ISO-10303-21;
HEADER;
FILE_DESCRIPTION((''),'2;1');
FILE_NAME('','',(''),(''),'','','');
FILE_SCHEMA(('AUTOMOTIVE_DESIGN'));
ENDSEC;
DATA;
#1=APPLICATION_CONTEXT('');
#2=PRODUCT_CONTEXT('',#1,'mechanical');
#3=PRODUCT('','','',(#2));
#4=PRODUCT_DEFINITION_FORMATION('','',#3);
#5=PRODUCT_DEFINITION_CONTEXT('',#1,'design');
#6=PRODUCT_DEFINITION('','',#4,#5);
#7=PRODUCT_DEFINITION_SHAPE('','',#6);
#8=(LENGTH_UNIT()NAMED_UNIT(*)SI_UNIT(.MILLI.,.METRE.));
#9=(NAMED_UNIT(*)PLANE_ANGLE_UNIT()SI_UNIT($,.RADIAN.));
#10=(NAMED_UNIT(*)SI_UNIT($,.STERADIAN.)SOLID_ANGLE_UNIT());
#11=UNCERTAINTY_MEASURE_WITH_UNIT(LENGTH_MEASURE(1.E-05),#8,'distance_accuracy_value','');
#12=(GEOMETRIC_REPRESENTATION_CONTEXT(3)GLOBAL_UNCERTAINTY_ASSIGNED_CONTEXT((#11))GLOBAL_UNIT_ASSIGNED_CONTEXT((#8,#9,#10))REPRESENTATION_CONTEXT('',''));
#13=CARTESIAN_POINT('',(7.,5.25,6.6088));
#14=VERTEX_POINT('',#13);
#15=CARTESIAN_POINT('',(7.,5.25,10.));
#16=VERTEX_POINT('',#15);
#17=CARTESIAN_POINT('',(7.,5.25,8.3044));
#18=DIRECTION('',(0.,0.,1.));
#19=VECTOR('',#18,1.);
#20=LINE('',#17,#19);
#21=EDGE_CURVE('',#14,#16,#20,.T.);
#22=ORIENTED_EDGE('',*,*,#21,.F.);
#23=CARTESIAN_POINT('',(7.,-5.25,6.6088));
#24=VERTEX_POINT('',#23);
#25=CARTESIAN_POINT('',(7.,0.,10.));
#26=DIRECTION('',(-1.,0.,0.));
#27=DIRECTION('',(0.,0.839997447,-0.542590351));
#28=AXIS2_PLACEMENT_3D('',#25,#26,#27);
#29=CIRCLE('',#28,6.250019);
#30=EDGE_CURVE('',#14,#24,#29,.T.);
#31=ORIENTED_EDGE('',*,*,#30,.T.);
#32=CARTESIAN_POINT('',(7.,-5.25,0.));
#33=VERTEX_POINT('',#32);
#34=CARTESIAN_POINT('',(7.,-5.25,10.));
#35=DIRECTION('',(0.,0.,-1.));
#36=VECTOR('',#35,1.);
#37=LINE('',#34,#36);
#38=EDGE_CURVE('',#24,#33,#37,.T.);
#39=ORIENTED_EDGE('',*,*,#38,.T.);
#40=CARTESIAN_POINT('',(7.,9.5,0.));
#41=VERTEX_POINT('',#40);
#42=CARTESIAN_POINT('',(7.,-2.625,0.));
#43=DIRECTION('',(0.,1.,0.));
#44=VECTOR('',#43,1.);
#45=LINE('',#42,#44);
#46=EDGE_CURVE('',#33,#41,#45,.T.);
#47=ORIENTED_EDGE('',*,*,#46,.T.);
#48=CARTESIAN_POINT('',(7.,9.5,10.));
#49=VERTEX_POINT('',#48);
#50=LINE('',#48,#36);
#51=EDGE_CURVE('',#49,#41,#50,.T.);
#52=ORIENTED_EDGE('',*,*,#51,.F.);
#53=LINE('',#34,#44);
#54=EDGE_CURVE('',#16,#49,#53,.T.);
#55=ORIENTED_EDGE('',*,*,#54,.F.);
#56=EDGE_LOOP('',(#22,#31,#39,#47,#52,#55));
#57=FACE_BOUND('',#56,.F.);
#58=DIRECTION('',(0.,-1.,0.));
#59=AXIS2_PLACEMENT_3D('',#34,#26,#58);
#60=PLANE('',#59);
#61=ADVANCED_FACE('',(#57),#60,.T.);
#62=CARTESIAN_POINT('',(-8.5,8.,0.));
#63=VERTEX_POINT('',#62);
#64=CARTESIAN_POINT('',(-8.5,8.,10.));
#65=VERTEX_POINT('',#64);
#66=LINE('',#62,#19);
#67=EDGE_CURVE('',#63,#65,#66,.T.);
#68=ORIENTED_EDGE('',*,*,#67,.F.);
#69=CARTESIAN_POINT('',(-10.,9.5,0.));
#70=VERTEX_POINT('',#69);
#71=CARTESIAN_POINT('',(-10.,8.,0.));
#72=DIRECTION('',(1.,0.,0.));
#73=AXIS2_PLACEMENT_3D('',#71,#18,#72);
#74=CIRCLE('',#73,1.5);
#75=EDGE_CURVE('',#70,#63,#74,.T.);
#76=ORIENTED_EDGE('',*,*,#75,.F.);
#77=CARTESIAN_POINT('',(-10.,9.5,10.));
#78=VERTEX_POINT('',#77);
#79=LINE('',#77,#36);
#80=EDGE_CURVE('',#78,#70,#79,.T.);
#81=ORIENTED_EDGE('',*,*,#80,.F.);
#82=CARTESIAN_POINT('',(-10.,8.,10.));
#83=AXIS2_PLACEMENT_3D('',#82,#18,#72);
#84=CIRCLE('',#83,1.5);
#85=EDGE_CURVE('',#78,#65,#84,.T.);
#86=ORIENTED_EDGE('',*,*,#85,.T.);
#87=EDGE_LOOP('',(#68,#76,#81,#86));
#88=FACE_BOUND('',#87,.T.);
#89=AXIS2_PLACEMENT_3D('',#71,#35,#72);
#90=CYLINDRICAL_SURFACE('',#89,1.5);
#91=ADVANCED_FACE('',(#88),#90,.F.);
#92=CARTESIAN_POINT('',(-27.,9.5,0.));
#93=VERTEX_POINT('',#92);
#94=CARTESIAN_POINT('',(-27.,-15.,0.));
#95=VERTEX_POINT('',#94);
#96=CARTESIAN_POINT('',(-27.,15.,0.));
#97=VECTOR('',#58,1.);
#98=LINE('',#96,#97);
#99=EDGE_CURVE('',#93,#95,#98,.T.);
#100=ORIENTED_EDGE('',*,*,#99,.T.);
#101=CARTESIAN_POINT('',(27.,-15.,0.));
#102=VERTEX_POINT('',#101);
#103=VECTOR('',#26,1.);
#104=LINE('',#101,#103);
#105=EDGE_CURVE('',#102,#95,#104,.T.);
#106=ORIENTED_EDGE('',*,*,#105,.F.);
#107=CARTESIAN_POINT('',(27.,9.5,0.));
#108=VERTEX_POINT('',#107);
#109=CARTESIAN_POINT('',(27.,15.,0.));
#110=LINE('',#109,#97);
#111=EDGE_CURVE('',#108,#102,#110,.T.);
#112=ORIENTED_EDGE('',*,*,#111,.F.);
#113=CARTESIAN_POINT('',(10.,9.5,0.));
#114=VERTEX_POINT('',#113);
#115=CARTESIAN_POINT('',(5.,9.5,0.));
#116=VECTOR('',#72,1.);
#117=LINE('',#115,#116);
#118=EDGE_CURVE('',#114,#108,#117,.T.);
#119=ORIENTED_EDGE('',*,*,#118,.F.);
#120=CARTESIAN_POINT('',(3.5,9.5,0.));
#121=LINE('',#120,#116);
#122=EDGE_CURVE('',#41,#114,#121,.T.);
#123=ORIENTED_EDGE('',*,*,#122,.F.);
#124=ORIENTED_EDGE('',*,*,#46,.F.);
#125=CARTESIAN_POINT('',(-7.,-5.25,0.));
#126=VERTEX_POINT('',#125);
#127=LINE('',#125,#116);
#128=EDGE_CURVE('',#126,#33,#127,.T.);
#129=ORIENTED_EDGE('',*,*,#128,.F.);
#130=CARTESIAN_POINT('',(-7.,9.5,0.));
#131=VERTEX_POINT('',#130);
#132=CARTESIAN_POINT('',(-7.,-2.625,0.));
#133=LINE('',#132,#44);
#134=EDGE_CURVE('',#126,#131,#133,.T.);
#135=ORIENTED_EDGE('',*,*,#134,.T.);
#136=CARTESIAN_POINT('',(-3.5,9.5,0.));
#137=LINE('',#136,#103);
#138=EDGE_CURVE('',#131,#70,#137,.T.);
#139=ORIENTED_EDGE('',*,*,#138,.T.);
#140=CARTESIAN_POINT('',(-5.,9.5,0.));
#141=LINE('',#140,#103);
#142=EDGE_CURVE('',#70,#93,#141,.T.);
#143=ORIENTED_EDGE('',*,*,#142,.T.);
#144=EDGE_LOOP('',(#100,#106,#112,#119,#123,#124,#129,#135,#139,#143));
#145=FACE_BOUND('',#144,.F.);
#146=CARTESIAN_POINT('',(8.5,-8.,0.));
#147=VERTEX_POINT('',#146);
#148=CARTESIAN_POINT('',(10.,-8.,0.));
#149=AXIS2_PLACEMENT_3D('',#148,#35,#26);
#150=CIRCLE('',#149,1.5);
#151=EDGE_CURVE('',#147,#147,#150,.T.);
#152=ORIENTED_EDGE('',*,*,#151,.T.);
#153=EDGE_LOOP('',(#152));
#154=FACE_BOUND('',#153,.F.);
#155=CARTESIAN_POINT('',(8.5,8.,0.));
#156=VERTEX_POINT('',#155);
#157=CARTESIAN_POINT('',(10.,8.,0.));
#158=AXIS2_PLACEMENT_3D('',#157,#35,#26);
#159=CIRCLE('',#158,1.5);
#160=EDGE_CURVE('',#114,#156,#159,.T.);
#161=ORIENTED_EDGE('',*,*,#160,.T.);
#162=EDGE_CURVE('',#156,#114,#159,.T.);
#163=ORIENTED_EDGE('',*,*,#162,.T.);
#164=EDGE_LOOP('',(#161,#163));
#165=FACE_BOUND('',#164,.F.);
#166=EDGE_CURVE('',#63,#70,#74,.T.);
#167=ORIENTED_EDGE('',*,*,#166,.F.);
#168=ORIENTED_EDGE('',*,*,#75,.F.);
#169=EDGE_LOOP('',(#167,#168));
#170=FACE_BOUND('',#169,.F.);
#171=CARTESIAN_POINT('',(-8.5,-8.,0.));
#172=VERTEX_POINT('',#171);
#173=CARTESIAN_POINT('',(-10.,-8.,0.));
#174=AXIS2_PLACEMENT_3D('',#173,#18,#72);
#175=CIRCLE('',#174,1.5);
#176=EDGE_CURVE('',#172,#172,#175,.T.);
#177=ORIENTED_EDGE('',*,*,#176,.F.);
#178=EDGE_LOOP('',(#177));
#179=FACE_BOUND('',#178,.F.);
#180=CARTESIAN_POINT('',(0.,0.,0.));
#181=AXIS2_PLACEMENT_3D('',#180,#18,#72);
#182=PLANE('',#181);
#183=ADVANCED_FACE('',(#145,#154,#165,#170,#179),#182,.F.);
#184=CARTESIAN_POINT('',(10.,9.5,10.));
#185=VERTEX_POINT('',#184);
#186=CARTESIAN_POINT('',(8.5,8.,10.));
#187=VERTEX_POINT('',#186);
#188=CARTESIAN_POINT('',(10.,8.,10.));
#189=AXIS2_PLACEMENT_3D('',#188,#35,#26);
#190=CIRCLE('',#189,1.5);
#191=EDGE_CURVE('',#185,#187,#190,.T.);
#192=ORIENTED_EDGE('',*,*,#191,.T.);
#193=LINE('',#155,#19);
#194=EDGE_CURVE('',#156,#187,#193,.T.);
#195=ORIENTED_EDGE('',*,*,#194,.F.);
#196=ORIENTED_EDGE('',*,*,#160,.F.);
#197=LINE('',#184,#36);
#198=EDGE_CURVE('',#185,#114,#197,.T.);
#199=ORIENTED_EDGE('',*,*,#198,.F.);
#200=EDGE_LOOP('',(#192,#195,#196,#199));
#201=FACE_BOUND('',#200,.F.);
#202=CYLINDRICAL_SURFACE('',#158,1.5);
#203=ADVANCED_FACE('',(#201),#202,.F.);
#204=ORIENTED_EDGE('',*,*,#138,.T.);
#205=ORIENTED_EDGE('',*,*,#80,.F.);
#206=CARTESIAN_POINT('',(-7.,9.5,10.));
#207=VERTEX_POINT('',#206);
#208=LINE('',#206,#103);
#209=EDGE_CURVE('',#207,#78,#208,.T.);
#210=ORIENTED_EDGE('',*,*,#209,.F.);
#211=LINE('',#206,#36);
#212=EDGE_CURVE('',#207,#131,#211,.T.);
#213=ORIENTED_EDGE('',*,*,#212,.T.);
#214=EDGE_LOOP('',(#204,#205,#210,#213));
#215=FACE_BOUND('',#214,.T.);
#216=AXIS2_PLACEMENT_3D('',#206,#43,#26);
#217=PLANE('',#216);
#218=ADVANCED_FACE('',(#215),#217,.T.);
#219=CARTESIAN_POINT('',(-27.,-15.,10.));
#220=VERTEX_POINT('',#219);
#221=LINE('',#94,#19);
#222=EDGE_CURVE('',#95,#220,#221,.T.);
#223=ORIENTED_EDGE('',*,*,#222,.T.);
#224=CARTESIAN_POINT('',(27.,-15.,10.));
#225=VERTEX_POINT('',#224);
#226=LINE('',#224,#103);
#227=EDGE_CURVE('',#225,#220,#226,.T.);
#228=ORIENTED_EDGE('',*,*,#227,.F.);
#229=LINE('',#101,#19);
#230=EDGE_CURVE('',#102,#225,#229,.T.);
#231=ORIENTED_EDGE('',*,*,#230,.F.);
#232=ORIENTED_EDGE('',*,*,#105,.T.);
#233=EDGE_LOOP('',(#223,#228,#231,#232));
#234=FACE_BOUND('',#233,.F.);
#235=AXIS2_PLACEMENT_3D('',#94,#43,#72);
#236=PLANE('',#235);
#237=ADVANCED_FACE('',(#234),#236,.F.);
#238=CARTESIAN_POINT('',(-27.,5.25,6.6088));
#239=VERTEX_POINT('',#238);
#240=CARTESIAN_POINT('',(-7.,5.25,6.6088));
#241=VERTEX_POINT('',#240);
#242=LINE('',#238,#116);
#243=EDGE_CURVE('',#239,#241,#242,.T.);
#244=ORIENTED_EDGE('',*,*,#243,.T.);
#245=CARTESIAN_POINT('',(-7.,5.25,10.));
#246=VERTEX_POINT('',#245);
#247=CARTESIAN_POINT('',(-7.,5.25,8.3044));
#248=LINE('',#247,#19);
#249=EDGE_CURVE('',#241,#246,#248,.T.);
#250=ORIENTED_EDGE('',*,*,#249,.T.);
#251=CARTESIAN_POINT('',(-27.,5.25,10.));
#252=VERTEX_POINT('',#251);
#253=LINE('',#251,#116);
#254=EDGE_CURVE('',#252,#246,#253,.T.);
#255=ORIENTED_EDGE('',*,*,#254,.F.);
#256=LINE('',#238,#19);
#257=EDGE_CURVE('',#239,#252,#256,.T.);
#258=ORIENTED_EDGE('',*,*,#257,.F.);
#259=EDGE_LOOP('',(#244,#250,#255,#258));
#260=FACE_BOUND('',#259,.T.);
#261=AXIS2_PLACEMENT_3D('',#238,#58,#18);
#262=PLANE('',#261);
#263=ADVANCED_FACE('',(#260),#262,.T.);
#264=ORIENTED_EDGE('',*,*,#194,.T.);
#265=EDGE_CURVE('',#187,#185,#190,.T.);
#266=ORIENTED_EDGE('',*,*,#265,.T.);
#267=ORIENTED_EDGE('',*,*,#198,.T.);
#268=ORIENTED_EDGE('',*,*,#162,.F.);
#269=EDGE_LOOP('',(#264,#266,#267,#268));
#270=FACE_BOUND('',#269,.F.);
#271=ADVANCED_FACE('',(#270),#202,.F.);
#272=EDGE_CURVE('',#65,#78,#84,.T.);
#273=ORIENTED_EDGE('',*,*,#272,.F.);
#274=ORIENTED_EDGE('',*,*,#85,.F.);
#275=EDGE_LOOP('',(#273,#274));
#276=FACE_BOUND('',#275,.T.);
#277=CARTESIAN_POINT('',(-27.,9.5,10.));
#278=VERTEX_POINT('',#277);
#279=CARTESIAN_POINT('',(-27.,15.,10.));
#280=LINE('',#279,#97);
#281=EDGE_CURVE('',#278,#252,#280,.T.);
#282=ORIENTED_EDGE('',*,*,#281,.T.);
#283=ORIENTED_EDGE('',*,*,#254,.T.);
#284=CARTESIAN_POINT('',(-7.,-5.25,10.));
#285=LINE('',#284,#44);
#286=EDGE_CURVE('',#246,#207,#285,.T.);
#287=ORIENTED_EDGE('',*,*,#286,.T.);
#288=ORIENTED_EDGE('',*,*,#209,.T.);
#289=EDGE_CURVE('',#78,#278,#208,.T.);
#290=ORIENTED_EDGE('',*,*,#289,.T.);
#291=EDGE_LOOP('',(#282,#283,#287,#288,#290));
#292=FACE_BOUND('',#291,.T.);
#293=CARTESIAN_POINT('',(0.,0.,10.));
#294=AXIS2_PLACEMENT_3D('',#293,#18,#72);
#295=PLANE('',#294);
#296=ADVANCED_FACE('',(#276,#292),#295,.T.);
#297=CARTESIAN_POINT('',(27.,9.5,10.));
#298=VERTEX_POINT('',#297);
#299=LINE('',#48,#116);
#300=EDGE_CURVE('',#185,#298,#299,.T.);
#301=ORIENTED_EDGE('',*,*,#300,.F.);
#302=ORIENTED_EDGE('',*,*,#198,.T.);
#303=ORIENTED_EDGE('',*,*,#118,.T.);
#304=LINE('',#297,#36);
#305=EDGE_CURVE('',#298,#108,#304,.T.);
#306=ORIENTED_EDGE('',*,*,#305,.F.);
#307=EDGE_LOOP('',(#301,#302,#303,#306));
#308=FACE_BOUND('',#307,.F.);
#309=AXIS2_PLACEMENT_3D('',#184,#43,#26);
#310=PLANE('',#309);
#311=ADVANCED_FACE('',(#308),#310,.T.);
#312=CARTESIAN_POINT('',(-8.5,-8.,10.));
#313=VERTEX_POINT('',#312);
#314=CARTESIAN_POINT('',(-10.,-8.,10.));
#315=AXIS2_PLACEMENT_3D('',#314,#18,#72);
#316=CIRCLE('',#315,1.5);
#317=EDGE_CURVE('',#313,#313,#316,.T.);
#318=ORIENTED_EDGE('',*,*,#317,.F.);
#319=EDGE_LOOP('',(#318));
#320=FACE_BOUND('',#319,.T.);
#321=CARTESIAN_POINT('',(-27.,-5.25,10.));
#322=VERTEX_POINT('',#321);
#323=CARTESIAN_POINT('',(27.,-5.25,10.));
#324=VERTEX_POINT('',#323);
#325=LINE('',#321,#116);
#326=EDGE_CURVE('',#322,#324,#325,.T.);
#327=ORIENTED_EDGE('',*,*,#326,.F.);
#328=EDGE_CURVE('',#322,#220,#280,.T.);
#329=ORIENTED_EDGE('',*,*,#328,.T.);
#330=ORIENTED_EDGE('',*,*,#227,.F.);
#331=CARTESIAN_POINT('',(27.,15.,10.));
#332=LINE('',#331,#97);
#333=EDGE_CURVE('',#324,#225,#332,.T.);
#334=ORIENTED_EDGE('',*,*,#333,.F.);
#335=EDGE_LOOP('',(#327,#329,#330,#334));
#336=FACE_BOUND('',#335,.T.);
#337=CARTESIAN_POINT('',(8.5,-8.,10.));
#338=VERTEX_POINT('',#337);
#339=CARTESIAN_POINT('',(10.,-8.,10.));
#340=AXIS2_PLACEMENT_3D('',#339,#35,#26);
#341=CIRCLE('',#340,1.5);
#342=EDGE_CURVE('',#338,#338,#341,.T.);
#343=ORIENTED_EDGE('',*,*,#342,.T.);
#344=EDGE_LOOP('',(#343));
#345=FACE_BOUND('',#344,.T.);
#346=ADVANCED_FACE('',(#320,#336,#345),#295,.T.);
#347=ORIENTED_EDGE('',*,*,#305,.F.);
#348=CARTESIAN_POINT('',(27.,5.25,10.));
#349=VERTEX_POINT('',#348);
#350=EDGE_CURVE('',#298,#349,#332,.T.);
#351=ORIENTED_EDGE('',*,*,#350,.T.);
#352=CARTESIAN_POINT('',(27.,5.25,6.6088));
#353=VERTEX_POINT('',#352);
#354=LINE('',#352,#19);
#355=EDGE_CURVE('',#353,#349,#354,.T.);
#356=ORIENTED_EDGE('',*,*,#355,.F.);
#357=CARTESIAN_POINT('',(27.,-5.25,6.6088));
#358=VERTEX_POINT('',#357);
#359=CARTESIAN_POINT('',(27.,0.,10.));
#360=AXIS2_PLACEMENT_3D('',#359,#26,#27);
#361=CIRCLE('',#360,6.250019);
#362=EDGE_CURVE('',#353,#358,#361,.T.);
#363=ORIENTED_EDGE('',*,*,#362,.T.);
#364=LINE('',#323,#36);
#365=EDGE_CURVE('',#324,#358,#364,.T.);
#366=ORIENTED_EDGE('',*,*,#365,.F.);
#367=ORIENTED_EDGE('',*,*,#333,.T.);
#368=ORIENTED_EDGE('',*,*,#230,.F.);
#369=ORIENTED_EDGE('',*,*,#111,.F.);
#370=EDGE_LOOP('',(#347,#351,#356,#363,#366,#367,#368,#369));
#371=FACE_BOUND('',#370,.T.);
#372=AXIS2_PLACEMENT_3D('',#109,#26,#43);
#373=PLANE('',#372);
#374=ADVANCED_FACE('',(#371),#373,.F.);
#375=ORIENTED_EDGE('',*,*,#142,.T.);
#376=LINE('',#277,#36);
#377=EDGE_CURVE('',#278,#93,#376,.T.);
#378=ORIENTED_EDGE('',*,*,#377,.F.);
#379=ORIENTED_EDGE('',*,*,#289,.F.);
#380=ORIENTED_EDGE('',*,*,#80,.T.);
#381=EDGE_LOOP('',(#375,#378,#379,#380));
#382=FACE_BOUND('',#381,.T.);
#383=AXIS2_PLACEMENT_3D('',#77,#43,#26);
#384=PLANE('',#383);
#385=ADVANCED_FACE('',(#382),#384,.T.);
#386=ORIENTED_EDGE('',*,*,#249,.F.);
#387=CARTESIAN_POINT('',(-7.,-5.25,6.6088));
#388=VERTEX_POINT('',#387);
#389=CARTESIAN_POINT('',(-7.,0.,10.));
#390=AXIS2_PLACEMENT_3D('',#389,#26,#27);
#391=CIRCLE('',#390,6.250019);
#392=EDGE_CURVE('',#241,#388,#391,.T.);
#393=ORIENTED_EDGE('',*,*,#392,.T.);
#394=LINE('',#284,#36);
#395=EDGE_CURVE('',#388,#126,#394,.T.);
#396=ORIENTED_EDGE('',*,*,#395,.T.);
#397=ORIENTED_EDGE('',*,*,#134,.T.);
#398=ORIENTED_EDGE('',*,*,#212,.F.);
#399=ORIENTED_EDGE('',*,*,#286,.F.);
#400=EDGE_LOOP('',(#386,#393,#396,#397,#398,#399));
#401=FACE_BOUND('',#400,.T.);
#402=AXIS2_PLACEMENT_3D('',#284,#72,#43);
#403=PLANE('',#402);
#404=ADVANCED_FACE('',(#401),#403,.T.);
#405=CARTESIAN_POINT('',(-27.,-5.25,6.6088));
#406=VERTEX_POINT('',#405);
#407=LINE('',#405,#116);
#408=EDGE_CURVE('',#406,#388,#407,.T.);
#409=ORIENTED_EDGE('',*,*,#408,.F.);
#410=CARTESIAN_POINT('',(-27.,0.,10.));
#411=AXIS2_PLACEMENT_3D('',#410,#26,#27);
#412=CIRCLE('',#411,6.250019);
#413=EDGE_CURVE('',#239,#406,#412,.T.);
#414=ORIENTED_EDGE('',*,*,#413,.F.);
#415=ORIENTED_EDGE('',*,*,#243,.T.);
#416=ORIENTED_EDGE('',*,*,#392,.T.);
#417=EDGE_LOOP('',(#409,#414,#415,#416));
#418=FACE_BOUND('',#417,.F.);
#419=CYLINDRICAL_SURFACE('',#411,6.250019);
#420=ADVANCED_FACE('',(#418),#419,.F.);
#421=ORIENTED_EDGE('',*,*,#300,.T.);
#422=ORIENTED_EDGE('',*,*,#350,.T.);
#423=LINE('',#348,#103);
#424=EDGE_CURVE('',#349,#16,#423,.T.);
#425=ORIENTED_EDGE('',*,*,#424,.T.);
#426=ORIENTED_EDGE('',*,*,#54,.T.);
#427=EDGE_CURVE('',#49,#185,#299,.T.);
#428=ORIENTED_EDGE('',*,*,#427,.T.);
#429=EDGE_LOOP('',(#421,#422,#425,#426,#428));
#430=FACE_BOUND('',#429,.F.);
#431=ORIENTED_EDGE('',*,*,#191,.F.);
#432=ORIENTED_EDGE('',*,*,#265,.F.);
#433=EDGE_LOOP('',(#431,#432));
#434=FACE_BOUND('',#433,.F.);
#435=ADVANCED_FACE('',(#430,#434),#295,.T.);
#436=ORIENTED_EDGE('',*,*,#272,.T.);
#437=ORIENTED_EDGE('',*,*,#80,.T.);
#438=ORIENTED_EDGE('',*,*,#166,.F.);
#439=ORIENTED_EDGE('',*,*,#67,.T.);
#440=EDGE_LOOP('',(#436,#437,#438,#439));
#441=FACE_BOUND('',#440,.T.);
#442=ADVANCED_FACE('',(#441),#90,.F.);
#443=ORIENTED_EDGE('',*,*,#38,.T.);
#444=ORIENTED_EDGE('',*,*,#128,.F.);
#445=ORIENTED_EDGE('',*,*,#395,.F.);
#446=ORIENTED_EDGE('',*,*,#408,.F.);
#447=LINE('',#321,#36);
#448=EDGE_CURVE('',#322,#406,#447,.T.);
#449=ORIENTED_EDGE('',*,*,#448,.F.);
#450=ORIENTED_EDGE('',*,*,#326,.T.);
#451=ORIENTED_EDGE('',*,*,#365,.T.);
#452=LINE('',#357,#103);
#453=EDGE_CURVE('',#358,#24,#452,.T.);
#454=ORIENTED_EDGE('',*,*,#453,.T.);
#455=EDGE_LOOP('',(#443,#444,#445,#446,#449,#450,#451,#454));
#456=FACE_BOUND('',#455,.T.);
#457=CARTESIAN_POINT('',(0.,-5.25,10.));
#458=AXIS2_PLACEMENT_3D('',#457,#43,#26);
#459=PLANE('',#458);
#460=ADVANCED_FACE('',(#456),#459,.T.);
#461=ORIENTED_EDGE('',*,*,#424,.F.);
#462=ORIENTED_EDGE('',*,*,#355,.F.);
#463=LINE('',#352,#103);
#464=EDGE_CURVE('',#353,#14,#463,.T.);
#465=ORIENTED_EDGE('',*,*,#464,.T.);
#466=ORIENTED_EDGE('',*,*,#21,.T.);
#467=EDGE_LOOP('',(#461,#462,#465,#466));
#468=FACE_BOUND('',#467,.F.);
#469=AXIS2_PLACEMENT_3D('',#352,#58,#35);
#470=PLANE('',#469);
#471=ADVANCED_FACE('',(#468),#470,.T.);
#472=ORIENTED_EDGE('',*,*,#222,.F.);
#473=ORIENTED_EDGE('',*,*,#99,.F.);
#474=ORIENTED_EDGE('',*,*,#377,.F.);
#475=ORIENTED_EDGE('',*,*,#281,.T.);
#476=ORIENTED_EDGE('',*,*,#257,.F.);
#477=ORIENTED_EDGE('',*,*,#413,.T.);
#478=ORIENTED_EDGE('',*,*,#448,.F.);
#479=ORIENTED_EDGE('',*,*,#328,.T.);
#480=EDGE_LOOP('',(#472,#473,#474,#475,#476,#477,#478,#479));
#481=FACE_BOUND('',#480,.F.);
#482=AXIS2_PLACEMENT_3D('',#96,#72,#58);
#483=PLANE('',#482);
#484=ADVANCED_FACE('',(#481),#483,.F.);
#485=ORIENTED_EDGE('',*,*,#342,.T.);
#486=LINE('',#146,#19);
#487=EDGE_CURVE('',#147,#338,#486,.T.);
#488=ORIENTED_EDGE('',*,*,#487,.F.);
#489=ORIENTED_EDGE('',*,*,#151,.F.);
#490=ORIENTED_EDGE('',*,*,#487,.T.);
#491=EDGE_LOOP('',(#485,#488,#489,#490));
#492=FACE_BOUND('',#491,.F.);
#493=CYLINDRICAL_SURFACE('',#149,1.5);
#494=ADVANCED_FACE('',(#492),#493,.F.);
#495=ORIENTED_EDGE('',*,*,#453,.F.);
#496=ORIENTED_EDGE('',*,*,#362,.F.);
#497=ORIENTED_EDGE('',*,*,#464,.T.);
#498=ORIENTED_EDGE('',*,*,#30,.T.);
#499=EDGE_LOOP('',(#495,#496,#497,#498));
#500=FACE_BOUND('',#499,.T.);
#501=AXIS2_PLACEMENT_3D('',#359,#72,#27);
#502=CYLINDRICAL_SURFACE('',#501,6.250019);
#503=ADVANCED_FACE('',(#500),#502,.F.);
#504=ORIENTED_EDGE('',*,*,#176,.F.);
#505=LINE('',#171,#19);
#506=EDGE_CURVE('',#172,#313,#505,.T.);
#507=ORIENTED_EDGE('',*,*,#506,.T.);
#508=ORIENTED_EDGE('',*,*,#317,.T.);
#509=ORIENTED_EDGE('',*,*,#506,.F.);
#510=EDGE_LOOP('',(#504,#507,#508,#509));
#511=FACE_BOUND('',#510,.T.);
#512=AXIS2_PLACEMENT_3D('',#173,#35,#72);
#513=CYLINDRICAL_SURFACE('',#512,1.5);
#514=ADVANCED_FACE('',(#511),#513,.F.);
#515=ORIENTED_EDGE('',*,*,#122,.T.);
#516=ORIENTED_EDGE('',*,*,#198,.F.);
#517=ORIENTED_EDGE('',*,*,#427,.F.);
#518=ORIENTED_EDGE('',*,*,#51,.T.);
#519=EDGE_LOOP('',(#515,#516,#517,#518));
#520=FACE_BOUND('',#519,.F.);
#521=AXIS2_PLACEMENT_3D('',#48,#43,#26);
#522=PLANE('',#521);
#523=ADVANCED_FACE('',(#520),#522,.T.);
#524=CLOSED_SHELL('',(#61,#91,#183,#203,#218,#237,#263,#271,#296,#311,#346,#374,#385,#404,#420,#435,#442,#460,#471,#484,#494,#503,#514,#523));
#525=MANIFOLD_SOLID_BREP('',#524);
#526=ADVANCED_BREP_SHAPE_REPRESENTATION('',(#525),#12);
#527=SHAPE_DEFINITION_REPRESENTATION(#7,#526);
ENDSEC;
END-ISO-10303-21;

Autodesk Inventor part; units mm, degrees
ref_plane "YZ Plane" through (0, 0, 0) normal (1, 0, 0) x (0, 1, 0)
ref_plane "XZ Plane" through (0, 0, 0) normal (0, 1, 0) x (-1, 0, 0)
ref_plane "XY Plane" through (0, 0, 0) normal (0, 0, 1) x (1, 0, 0)
sketch "Náčrt1" plane through (0, 0, 0) normal (0, 0, 1) x (1, 0, 0)
  line L0 (0, 15) -> (-27, 15)
  line L1 (-27, 15) -> (-27, -15)
  line L2 (-27, -15) -> (0, -15)
  line L3 (0, -15) -> (0, 15)
  circle A0 centre (-10, 8) radius 1.5
  line L4 (-14.1616, 0) -> (12.8881, 0)
  circle A1 centre (-10, -8) radius 1.5
  point P0 (0, 0)
  point P1 (0, 0)
  dimension "d13" = 30
  dimension "d14" = 27
  dimension "d15" = 3
  dimension "d18" = 16
  dimension "d23" = 10
extrude "Vysunutí2" add sketch "Náčrt1" along normal blind 10
sketch "Náčrt2" plane through (-27, -15, 0) normal (-1, 0, 0) x (0, 0, 1)
  line L0 (10, 0) -> (10, 30) projected
  line L1 (10, 20) -> (6.6834, 20)
  line L2 (10, 10) -> (6.6834, 10)
  arc A0 (6.6834, 20) -> (6.6834, 10) centre (10, 15) ccw
  line L3 (0, 30) -> (0, 0) projected
  line L4 (10, 9.75) -> (6.6088, 9.75)
  arc A1 (6.6088, 20.25) -> (6.6088, 9.75) centre (10, 15) ccw
  line L5 (6.6088, 20.25) -> (10, 20.25)
  point P0 (0, 15)
  point P1 (0, 15)
  dimension "d26" = 10
  dimension "d27" = 6
  dimension "d28" = 0.25
extrude "Vysunutí3" cut sketch "Náčrt2" against normal through all
sketch "Náčrt3" plane through (0, 0, 10) normal (0, 0, 1) x (1, 0, 0)
  line L0 (0, 15) -> (-27, 15) projected
  circle A0 centre (-10, 8) radius 1.5 projected
  line L1 (0, -5.25) -> (-27, -5.25) projected
  line L2 (0, 5.25) -> (0, 15) projected
  line L3 (-7, -5.25) -> (-7, 9.5)
  line L4 (-7, 9.5) -> (-27, 9.5)
  line L5 (-27, 15) -> (-27, 5.25) projected
  line L6 (0, 5.25) -> (0, -5.25) projected
  point P0 (0, 0)
  dimension "d34" = 3
extrude "Vysunutí4" cut sketch "Náčrt3" against normal through all contours L2 L6 L1 L3 L4 L5 L0
mirror "Zrcadlit1" about plane through (0, -15, 0) normal (1, 0, 0)
properties part number "Držák motoru (spodní díl)"
